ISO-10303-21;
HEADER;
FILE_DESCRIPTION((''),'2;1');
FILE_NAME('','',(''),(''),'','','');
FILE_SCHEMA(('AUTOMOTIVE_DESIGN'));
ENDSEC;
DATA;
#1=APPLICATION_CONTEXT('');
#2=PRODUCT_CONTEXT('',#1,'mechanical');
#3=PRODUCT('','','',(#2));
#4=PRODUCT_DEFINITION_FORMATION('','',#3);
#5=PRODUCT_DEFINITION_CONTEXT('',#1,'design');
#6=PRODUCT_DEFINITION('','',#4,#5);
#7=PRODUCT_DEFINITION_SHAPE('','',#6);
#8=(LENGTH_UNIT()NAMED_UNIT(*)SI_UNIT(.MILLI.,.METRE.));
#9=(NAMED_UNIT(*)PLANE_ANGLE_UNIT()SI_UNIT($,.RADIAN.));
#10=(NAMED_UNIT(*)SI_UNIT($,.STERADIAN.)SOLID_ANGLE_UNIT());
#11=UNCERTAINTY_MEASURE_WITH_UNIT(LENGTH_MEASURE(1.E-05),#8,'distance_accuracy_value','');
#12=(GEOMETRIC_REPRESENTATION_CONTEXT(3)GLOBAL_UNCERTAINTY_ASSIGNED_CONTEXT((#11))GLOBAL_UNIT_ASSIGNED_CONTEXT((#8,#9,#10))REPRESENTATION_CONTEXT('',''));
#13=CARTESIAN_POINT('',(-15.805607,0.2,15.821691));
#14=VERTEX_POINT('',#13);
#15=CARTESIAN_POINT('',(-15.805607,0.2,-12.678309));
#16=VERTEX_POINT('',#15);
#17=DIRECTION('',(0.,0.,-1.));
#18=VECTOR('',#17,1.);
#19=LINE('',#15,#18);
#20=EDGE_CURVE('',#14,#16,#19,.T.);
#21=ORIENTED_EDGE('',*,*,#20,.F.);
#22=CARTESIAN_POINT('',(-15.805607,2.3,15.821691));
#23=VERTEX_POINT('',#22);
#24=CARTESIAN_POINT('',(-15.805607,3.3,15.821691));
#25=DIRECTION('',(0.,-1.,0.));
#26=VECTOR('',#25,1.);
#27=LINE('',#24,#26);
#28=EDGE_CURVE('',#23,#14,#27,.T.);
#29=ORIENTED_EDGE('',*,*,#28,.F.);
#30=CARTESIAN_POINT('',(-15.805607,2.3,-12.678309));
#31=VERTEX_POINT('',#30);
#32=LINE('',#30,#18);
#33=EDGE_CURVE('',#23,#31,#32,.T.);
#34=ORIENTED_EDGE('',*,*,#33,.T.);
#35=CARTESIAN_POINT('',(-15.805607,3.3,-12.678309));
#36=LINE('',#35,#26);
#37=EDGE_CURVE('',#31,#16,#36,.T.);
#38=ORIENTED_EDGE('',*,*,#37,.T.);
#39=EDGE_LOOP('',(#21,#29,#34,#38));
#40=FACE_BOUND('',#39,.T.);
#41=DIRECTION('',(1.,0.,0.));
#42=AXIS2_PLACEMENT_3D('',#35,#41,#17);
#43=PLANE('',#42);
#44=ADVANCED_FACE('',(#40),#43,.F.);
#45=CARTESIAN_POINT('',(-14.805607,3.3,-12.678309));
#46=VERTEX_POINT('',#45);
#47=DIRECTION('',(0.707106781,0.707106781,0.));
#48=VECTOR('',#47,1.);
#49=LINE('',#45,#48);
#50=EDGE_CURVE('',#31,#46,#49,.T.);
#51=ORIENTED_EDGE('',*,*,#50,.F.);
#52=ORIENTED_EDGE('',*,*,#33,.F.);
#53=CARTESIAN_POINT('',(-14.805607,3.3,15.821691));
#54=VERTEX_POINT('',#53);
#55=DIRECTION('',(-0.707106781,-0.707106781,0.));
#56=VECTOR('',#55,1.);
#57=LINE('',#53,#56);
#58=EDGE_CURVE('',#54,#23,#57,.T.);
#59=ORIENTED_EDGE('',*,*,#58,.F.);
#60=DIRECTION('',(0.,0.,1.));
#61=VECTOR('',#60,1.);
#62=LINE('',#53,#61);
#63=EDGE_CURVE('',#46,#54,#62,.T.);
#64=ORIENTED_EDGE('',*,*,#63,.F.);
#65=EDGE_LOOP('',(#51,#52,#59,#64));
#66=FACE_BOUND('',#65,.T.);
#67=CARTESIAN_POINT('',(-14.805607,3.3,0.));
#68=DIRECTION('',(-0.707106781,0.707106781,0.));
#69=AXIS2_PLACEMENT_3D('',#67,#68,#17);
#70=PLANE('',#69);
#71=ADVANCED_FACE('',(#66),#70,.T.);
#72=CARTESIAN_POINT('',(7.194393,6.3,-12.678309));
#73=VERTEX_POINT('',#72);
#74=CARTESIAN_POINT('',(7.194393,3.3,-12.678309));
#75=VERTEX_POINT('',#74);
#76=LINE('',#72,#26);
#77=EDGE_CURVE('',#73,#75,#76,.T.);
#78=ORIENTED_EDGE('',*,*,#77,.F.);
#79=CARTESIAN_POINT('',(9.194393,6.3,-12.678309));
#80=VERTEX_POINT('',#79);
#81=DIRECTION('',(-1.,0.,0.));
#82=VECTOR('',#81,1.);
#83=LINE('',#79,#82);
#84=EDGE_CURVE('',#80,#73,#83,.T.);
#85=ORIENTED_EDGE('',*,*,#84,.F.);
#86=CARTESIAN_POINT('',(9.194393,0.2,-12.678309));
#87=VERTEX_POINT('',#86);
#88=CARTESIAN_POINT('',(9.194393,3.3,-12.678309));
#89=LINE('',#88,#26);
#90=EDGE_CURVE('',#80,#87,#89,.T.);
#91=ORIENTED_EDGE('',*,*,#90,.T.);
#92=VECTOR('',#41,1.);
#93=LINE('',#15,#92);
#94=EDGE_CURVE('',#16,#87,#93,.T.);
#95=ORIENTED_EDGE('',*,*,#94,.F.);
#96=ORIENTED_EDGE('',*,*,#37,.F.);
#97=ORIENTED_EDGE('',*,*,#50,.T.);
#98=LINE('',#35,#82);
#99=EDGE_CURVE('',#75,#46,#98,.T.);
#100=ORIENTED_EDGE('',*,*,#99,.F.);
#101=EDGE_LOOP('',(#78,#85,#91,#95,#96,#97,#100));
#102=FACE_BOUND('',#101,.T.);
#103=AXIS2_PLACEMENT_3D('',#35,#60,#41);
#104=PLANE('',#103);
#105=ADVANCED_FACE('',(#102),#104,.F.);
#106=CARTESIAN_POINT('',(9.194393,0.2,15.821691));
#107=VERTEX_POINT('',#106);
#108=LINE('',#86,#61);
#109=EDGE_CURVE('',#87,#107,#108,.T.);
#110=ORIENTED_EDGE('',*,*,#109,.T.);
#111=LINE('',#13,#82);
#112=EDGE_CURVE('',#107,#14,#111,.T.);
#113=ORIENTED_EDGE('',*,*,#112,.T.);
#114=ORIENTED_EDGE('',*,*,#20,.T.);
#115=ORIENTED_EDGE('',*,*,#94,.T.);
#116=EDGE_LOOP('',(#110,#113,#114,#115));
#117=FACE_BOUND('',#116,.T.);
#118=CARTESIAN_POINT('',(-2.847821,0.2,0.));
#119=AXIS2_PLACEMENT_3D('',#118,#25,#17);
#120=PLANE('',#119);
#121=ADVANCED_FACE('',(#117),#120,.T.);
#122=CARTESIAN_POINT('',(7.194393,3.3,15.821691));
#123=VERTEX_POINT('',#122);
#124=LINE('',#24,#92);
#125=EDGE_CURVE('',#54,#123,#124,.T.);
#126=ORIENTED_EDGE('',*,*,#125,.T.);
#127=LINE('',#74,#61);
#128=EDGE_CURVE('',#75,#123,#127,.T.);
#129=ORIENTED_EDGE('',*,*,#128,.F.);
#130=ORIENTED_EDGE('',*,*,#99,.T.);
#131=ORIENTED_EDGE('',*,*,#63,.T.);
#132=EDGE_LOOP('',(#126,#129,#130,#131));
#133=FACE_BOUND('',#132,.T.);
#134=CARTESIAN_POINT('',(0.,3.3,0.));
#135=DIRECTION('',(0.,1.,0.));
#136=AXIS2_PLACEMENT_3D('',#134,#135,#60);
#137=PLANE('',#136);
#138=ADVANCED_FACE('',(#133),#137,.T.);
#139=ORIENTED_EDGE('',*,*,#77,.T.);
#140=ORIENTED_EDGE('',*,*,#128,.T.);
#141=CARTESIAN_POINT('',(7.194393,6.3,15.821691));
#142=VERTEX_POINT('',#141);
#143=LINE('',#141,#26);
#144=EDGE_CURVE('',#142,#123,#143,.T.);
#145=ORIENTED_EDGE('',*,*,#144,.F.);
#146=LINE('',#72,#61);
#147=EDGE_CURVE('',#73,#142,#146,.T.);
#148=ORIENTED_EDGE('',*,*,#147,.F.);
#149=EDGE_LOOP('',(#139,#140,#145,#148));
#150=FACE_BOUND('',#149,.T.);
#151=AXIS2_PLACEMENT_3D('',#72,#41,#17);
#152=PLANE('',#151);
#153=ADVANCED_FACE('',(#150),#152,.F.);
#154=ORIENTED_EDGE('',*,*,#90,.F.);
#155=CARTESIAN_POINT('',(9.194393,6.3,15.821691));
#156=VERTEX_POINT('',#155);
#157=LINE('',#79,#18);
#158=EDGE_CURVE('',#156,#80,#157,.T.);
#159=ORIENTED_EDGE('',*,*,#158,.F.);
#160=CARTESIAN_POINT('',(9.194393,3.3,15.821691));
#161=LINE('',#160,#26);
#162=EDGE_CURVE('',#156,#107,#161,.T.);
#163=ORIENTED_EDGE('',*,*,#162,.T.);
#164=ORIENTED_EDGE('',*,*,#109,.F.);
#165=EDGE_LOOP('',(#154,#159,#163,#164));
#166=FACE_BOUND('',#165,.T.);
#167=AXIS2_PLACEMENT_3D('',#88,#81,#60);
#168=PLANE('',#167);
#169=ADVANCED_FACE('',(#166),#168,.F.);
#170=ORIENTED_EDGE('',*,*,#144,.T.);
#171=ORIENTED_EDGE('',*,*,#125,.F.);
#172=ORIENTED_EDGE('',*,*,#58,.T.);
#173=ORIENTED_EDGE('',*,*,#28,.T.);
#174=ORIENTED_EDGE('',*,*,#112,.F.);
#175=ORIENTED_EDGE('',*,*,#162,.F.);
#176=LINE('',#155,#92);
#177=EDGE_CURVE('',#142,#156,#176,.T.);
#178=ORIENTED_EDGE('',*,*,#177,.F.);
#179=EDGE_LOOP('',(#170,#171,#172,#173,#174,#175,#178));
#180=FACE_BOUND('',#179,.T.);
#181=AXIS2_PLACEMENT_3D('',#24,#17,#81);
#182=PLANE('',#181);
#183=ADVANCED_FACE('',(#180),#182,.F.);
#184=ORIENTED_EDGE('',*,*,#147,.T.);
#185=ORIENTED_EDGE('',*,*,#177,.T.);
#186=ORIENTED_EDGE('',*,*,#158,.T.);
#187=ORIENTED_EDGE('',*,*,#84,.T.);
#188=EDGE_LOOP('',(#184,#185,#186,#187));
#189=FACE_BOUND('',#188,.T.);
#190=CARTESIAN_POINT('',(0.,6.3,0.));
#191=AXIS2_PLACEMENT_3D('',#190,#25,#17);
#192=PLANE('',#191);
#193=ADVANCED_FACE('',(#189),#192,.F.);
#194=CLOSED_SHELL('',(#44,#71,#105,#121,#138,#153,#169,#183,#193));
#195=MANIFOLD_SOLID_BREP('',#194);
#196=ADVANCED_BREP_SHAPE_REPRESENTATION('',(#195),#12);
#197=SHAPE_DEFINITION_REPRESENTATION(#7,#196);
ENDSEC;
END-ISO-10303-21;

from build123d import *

# Parameters (mm, degrees)
SKETCH1_W           = 25
SKETCH1_H           = 28.5
BOSS_EXTRUDE1_DEPTH = 3.3
SKETCH2_W           = 2
SKETCH2_H           = 28.5
BOSS_EXTRUDE2_DEPTH = 3
CHAMFER1_SIZE       = 1
SKETCH3_R           = 21.891628128
CUT_EXTRUDE1_DEPTH  = 0.2


with BuildPart() as part:
    # Sketch1 → Boss-Extrude1 (new body)
    with BuildSketch(Plane(origin=(0, 0, 0), x_dir=(1, 0, 0), z_dir=(0, 1, 0))):
        with Locations((-3.305606618, -1.571691176)):
            Rectangle(SKETCH1_W, SKETCH1_H)
    extrude(amount=BOSS_EXTRUDE1_DEPTH)

    # Sketch2 → Boss-Extrude2 (add)
    with BuildSketch(Plane(origin=(0, 3.3, 0), x_dir=(1, 0, 0), z_dir=(0, 1, 0))):
        with Locations((8.194393382, -1.571691176)):
            Rectangle(SKETCH2_W, SKETCH2_H)
    extrude(amount=BOSS_EXTRUDE2_DEPTH)

    # Chamfer1
    chamfer1_edges = [part.edges().sort_by_distance(p)[0] for p in [
        (-15.805606618, 3.3, 1.571691176),
    ]]
    chamfer(chamfer1_edges, length=CHAMFER1_SIZE)

    # Sketch3 → Cut-Extrude1 (cut)
    with BuildSketch(Plane.XZ):
        with Locations((-2.847820653, 0)):
            Circle(SKETCH3_R)
    extrude(amount=-CUT_EXTRUDE1_DEPTH, mode=Mode.SUBTRACT)


solid = part.part
